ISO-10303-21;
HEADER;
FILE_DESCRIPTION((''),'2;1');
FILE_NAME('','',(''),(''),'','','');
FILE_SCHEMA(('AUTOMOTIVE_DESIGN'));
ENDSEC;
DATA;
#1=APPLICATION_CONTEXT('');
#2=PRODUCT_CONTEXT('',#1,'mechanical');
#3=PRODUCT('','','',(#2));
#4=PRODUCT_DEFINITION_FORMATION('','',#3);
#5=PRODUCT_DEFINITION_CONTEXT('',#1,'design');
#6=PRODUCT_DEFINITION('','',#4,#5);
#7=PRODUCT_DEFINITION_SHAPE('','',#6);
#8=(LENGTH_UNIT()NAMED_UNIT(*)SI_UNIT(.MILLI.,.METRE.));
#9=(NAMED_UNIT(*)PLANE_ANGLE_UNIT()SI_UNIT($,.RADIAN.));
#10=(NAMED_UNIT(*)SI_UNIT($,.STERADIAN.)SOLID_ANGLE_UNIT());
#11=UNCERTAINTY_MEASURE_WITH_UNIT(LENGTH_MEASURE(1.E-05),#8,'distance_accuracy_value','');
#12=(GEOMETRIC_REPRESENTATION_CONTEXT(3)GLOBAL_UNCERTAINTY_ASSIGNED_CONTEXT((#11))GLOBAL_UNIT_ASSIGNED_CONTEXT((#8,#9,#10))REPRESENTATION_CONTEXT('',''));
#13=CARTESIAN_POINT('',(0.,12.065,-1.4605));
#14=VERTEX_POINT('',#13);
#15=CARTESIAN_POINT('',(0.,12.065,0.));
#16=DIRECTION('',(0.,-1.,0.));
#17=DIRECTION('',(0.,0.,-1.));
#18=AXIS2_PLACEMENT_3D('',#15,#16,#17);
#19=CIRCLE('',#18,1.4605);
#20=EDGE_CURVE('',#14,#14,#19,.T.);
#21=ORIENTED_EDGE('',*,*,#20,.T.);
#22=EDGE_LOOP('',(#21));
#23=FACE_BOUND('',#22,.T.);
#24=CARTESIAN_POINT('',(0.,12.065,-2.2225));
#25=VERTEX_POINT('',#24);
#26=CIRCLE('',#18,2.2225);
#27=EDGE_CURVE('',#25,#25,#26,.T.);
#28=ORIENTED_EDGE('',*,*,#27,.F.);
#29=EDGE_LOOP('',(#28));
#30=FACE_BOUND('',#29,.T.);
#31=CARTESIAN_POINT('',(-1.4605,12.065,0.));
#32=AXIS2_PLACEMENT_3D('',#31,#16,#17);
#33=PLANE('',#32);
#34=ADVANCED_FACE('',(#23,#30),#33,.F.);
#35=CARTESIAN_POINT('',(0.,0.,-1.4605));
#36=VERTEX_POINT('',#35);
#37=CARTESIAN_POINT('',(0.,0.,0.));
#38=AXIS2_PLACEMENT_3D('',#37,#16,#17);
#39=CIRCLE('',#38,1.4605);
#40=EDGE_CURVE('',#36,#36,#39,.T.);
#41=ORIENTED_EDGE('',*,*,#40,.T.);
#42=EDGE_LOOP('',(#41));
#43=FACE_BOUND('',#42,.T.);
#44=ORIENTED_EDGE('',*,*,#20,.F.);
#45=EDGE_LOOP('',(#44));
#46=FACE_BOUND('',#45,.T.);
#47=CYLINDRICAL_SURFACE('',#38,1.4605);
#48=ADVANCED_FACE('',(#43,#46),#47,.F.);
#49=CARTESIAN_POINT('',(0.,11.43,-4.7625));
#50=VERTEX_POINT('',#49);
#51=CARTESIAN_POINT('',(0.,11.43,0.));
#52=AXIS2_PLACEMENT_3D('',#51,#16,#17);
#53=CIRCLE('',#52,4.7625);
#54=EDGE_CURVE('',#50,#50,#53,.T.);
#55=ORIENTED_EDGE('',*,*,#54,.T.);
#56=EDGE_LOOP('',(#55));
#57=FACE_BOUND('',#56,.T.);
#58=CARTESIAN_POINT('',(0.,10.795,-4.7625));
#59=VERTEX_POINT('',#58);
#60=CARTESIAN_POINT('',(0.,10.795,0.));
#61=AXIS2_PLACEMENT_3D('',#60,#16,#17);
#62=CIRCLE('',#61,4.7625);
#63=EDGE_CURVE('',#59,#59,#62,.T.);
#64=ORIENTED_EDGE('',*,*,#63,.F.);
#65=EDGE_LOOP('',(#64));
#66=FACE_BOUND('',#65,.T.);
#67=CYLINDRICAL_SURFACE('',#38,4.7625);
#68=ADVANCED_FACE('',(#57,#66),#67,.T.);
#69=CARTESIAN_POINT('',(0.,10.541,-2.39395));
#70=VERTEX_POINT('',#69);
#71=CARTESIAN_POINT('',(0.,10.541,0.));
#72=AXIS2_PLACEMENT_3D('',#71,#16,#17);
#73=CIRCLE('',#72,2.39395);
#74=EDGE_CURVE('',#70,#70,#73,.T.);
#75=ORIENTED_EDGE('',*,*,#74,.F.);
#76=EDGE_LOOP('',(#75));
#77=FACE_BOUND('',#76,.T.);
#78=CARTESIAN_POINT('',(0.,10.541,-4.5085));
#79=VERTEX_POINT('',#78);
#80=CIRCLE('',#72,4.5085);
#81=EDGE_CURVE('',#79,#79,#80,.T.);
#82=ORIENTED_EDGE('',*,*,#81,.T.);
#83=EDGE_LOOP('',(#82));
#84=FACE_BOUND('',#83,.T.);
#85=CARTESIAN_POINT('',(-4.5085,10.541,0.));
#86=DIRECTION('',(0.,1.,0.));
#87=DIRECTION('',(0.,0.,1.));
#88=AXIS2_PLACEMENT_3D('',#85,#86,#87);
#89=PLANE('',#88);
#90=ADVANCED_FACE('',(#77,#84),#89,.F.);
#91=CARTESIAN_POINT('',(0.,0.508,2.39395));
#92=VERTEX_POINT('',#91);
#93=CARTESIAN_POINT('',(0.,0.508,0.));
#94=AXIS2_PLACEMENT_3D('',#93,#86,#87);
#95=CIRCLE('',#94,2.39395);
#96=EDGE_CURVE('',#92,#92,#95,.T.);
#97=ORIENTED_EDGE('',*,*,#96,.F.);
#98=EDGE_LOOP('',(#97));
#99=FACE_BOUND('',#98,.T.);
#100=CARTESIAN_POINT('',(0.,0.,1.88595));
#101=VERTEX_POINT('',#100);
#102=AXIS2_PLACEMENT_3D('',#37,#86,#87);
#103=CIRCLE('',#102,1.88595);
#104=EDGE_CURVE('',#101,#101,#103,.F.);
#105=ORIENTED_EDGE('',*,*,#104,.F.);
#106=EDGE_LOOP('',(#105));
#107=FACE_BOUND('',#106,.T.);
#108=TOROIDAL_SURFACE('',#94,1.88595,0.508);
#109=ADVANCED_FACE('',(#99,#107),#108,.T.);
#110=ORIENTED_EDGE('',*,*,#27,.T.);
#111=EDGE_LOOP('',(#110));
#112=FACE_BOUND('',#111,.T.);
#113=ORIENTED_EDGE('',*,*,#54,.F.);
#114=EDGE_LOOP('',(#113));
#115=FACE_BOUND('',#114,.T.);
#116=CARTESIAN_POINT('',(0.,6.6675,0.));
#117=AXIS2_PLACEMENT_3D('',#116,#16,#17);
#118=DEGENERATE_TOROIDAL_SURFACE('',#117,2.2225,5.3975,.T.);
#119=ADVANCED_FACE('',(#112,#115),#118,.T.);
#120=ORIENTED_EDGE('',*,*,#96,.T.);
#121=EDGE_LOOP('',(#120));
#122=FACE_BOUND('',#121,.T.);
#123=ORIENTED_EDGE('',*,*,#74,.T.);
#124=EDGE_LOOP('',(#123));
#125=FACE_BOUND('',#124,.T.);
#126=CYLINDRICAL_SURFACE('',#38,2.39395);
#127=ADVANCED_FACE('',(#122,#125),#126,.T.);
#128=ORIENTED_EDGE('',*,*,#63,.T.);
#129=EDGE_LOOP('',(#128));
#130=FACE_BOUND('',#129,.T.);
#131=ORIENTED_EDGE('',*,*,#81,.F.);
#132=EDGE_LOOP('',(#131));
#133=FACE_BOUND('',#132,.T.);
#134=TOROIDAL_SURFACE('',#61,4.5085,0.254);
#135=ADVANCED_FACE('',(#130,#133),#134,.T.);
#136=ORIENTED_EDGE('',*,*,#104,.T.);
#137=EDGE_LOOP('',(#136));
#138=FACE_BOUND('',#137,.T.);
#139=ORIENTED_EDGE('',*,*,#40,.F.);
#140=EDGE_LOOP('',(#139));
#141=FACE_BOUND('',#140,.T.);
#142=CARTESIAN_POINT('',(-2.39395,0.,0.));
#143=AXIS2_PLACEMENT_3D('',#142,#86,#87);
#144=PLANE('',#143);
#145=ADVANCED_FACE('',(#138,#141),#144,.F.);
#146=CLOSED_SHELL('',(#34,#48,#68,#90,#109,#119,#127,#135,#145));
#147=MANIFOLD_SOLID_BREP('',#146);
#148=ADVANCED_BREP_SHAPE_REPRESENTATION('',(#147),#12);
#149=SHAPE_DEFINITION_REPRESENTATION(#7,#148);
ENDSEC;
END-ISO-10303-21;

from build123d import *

# Parameters (mm, degrees)
FILLET1_R = 0.508


with BuildPart() as part:
    # Sketch1 → Revolve1 (revolve)
    with BuildSketch(Plane.XY, mode=Mode.PRIVATE) as revolve1_sk:
        with BuildLine():
            Line((-1.4605, 0), (-1.4605, 12.065))
            Line((-1.4605, 12.065), (-2.2225, 12.065))
            ThreePointArc((-2.2225, 12.065), (-3.531586036, 11.903844145), (-4.7625, 11.43))
            Line((-4.7625, 11.43), (-4.7625, 10.795))
            ThreePointArc((-4.7625, 10.795), (-4.688105122, 10.615394878), (-4.5085, 10.541))
            Line((-4.5085, 10.541), (-2.39395, 10.541))
            Line((-2.39395, 10.541), (-2.39395, 0))
            Line((-2.39395, 0), (-1.4605, 0))
        make_face()
    revolve(revolve1_sk.sketch.rotate(Axis((0, 0, 0), (0, 1, 0)), 270), axis=Axis((0, 0, 0), (0, 1, 0)))

    # Fillet1
    fillet1_edges = [part.edges().sort_by_distance(p)[0] for p in [
        (0, 0, 2.39395),
    ]]
    fillet(fillet1_edges, radius=FILLET1_R)


solid = part.part
